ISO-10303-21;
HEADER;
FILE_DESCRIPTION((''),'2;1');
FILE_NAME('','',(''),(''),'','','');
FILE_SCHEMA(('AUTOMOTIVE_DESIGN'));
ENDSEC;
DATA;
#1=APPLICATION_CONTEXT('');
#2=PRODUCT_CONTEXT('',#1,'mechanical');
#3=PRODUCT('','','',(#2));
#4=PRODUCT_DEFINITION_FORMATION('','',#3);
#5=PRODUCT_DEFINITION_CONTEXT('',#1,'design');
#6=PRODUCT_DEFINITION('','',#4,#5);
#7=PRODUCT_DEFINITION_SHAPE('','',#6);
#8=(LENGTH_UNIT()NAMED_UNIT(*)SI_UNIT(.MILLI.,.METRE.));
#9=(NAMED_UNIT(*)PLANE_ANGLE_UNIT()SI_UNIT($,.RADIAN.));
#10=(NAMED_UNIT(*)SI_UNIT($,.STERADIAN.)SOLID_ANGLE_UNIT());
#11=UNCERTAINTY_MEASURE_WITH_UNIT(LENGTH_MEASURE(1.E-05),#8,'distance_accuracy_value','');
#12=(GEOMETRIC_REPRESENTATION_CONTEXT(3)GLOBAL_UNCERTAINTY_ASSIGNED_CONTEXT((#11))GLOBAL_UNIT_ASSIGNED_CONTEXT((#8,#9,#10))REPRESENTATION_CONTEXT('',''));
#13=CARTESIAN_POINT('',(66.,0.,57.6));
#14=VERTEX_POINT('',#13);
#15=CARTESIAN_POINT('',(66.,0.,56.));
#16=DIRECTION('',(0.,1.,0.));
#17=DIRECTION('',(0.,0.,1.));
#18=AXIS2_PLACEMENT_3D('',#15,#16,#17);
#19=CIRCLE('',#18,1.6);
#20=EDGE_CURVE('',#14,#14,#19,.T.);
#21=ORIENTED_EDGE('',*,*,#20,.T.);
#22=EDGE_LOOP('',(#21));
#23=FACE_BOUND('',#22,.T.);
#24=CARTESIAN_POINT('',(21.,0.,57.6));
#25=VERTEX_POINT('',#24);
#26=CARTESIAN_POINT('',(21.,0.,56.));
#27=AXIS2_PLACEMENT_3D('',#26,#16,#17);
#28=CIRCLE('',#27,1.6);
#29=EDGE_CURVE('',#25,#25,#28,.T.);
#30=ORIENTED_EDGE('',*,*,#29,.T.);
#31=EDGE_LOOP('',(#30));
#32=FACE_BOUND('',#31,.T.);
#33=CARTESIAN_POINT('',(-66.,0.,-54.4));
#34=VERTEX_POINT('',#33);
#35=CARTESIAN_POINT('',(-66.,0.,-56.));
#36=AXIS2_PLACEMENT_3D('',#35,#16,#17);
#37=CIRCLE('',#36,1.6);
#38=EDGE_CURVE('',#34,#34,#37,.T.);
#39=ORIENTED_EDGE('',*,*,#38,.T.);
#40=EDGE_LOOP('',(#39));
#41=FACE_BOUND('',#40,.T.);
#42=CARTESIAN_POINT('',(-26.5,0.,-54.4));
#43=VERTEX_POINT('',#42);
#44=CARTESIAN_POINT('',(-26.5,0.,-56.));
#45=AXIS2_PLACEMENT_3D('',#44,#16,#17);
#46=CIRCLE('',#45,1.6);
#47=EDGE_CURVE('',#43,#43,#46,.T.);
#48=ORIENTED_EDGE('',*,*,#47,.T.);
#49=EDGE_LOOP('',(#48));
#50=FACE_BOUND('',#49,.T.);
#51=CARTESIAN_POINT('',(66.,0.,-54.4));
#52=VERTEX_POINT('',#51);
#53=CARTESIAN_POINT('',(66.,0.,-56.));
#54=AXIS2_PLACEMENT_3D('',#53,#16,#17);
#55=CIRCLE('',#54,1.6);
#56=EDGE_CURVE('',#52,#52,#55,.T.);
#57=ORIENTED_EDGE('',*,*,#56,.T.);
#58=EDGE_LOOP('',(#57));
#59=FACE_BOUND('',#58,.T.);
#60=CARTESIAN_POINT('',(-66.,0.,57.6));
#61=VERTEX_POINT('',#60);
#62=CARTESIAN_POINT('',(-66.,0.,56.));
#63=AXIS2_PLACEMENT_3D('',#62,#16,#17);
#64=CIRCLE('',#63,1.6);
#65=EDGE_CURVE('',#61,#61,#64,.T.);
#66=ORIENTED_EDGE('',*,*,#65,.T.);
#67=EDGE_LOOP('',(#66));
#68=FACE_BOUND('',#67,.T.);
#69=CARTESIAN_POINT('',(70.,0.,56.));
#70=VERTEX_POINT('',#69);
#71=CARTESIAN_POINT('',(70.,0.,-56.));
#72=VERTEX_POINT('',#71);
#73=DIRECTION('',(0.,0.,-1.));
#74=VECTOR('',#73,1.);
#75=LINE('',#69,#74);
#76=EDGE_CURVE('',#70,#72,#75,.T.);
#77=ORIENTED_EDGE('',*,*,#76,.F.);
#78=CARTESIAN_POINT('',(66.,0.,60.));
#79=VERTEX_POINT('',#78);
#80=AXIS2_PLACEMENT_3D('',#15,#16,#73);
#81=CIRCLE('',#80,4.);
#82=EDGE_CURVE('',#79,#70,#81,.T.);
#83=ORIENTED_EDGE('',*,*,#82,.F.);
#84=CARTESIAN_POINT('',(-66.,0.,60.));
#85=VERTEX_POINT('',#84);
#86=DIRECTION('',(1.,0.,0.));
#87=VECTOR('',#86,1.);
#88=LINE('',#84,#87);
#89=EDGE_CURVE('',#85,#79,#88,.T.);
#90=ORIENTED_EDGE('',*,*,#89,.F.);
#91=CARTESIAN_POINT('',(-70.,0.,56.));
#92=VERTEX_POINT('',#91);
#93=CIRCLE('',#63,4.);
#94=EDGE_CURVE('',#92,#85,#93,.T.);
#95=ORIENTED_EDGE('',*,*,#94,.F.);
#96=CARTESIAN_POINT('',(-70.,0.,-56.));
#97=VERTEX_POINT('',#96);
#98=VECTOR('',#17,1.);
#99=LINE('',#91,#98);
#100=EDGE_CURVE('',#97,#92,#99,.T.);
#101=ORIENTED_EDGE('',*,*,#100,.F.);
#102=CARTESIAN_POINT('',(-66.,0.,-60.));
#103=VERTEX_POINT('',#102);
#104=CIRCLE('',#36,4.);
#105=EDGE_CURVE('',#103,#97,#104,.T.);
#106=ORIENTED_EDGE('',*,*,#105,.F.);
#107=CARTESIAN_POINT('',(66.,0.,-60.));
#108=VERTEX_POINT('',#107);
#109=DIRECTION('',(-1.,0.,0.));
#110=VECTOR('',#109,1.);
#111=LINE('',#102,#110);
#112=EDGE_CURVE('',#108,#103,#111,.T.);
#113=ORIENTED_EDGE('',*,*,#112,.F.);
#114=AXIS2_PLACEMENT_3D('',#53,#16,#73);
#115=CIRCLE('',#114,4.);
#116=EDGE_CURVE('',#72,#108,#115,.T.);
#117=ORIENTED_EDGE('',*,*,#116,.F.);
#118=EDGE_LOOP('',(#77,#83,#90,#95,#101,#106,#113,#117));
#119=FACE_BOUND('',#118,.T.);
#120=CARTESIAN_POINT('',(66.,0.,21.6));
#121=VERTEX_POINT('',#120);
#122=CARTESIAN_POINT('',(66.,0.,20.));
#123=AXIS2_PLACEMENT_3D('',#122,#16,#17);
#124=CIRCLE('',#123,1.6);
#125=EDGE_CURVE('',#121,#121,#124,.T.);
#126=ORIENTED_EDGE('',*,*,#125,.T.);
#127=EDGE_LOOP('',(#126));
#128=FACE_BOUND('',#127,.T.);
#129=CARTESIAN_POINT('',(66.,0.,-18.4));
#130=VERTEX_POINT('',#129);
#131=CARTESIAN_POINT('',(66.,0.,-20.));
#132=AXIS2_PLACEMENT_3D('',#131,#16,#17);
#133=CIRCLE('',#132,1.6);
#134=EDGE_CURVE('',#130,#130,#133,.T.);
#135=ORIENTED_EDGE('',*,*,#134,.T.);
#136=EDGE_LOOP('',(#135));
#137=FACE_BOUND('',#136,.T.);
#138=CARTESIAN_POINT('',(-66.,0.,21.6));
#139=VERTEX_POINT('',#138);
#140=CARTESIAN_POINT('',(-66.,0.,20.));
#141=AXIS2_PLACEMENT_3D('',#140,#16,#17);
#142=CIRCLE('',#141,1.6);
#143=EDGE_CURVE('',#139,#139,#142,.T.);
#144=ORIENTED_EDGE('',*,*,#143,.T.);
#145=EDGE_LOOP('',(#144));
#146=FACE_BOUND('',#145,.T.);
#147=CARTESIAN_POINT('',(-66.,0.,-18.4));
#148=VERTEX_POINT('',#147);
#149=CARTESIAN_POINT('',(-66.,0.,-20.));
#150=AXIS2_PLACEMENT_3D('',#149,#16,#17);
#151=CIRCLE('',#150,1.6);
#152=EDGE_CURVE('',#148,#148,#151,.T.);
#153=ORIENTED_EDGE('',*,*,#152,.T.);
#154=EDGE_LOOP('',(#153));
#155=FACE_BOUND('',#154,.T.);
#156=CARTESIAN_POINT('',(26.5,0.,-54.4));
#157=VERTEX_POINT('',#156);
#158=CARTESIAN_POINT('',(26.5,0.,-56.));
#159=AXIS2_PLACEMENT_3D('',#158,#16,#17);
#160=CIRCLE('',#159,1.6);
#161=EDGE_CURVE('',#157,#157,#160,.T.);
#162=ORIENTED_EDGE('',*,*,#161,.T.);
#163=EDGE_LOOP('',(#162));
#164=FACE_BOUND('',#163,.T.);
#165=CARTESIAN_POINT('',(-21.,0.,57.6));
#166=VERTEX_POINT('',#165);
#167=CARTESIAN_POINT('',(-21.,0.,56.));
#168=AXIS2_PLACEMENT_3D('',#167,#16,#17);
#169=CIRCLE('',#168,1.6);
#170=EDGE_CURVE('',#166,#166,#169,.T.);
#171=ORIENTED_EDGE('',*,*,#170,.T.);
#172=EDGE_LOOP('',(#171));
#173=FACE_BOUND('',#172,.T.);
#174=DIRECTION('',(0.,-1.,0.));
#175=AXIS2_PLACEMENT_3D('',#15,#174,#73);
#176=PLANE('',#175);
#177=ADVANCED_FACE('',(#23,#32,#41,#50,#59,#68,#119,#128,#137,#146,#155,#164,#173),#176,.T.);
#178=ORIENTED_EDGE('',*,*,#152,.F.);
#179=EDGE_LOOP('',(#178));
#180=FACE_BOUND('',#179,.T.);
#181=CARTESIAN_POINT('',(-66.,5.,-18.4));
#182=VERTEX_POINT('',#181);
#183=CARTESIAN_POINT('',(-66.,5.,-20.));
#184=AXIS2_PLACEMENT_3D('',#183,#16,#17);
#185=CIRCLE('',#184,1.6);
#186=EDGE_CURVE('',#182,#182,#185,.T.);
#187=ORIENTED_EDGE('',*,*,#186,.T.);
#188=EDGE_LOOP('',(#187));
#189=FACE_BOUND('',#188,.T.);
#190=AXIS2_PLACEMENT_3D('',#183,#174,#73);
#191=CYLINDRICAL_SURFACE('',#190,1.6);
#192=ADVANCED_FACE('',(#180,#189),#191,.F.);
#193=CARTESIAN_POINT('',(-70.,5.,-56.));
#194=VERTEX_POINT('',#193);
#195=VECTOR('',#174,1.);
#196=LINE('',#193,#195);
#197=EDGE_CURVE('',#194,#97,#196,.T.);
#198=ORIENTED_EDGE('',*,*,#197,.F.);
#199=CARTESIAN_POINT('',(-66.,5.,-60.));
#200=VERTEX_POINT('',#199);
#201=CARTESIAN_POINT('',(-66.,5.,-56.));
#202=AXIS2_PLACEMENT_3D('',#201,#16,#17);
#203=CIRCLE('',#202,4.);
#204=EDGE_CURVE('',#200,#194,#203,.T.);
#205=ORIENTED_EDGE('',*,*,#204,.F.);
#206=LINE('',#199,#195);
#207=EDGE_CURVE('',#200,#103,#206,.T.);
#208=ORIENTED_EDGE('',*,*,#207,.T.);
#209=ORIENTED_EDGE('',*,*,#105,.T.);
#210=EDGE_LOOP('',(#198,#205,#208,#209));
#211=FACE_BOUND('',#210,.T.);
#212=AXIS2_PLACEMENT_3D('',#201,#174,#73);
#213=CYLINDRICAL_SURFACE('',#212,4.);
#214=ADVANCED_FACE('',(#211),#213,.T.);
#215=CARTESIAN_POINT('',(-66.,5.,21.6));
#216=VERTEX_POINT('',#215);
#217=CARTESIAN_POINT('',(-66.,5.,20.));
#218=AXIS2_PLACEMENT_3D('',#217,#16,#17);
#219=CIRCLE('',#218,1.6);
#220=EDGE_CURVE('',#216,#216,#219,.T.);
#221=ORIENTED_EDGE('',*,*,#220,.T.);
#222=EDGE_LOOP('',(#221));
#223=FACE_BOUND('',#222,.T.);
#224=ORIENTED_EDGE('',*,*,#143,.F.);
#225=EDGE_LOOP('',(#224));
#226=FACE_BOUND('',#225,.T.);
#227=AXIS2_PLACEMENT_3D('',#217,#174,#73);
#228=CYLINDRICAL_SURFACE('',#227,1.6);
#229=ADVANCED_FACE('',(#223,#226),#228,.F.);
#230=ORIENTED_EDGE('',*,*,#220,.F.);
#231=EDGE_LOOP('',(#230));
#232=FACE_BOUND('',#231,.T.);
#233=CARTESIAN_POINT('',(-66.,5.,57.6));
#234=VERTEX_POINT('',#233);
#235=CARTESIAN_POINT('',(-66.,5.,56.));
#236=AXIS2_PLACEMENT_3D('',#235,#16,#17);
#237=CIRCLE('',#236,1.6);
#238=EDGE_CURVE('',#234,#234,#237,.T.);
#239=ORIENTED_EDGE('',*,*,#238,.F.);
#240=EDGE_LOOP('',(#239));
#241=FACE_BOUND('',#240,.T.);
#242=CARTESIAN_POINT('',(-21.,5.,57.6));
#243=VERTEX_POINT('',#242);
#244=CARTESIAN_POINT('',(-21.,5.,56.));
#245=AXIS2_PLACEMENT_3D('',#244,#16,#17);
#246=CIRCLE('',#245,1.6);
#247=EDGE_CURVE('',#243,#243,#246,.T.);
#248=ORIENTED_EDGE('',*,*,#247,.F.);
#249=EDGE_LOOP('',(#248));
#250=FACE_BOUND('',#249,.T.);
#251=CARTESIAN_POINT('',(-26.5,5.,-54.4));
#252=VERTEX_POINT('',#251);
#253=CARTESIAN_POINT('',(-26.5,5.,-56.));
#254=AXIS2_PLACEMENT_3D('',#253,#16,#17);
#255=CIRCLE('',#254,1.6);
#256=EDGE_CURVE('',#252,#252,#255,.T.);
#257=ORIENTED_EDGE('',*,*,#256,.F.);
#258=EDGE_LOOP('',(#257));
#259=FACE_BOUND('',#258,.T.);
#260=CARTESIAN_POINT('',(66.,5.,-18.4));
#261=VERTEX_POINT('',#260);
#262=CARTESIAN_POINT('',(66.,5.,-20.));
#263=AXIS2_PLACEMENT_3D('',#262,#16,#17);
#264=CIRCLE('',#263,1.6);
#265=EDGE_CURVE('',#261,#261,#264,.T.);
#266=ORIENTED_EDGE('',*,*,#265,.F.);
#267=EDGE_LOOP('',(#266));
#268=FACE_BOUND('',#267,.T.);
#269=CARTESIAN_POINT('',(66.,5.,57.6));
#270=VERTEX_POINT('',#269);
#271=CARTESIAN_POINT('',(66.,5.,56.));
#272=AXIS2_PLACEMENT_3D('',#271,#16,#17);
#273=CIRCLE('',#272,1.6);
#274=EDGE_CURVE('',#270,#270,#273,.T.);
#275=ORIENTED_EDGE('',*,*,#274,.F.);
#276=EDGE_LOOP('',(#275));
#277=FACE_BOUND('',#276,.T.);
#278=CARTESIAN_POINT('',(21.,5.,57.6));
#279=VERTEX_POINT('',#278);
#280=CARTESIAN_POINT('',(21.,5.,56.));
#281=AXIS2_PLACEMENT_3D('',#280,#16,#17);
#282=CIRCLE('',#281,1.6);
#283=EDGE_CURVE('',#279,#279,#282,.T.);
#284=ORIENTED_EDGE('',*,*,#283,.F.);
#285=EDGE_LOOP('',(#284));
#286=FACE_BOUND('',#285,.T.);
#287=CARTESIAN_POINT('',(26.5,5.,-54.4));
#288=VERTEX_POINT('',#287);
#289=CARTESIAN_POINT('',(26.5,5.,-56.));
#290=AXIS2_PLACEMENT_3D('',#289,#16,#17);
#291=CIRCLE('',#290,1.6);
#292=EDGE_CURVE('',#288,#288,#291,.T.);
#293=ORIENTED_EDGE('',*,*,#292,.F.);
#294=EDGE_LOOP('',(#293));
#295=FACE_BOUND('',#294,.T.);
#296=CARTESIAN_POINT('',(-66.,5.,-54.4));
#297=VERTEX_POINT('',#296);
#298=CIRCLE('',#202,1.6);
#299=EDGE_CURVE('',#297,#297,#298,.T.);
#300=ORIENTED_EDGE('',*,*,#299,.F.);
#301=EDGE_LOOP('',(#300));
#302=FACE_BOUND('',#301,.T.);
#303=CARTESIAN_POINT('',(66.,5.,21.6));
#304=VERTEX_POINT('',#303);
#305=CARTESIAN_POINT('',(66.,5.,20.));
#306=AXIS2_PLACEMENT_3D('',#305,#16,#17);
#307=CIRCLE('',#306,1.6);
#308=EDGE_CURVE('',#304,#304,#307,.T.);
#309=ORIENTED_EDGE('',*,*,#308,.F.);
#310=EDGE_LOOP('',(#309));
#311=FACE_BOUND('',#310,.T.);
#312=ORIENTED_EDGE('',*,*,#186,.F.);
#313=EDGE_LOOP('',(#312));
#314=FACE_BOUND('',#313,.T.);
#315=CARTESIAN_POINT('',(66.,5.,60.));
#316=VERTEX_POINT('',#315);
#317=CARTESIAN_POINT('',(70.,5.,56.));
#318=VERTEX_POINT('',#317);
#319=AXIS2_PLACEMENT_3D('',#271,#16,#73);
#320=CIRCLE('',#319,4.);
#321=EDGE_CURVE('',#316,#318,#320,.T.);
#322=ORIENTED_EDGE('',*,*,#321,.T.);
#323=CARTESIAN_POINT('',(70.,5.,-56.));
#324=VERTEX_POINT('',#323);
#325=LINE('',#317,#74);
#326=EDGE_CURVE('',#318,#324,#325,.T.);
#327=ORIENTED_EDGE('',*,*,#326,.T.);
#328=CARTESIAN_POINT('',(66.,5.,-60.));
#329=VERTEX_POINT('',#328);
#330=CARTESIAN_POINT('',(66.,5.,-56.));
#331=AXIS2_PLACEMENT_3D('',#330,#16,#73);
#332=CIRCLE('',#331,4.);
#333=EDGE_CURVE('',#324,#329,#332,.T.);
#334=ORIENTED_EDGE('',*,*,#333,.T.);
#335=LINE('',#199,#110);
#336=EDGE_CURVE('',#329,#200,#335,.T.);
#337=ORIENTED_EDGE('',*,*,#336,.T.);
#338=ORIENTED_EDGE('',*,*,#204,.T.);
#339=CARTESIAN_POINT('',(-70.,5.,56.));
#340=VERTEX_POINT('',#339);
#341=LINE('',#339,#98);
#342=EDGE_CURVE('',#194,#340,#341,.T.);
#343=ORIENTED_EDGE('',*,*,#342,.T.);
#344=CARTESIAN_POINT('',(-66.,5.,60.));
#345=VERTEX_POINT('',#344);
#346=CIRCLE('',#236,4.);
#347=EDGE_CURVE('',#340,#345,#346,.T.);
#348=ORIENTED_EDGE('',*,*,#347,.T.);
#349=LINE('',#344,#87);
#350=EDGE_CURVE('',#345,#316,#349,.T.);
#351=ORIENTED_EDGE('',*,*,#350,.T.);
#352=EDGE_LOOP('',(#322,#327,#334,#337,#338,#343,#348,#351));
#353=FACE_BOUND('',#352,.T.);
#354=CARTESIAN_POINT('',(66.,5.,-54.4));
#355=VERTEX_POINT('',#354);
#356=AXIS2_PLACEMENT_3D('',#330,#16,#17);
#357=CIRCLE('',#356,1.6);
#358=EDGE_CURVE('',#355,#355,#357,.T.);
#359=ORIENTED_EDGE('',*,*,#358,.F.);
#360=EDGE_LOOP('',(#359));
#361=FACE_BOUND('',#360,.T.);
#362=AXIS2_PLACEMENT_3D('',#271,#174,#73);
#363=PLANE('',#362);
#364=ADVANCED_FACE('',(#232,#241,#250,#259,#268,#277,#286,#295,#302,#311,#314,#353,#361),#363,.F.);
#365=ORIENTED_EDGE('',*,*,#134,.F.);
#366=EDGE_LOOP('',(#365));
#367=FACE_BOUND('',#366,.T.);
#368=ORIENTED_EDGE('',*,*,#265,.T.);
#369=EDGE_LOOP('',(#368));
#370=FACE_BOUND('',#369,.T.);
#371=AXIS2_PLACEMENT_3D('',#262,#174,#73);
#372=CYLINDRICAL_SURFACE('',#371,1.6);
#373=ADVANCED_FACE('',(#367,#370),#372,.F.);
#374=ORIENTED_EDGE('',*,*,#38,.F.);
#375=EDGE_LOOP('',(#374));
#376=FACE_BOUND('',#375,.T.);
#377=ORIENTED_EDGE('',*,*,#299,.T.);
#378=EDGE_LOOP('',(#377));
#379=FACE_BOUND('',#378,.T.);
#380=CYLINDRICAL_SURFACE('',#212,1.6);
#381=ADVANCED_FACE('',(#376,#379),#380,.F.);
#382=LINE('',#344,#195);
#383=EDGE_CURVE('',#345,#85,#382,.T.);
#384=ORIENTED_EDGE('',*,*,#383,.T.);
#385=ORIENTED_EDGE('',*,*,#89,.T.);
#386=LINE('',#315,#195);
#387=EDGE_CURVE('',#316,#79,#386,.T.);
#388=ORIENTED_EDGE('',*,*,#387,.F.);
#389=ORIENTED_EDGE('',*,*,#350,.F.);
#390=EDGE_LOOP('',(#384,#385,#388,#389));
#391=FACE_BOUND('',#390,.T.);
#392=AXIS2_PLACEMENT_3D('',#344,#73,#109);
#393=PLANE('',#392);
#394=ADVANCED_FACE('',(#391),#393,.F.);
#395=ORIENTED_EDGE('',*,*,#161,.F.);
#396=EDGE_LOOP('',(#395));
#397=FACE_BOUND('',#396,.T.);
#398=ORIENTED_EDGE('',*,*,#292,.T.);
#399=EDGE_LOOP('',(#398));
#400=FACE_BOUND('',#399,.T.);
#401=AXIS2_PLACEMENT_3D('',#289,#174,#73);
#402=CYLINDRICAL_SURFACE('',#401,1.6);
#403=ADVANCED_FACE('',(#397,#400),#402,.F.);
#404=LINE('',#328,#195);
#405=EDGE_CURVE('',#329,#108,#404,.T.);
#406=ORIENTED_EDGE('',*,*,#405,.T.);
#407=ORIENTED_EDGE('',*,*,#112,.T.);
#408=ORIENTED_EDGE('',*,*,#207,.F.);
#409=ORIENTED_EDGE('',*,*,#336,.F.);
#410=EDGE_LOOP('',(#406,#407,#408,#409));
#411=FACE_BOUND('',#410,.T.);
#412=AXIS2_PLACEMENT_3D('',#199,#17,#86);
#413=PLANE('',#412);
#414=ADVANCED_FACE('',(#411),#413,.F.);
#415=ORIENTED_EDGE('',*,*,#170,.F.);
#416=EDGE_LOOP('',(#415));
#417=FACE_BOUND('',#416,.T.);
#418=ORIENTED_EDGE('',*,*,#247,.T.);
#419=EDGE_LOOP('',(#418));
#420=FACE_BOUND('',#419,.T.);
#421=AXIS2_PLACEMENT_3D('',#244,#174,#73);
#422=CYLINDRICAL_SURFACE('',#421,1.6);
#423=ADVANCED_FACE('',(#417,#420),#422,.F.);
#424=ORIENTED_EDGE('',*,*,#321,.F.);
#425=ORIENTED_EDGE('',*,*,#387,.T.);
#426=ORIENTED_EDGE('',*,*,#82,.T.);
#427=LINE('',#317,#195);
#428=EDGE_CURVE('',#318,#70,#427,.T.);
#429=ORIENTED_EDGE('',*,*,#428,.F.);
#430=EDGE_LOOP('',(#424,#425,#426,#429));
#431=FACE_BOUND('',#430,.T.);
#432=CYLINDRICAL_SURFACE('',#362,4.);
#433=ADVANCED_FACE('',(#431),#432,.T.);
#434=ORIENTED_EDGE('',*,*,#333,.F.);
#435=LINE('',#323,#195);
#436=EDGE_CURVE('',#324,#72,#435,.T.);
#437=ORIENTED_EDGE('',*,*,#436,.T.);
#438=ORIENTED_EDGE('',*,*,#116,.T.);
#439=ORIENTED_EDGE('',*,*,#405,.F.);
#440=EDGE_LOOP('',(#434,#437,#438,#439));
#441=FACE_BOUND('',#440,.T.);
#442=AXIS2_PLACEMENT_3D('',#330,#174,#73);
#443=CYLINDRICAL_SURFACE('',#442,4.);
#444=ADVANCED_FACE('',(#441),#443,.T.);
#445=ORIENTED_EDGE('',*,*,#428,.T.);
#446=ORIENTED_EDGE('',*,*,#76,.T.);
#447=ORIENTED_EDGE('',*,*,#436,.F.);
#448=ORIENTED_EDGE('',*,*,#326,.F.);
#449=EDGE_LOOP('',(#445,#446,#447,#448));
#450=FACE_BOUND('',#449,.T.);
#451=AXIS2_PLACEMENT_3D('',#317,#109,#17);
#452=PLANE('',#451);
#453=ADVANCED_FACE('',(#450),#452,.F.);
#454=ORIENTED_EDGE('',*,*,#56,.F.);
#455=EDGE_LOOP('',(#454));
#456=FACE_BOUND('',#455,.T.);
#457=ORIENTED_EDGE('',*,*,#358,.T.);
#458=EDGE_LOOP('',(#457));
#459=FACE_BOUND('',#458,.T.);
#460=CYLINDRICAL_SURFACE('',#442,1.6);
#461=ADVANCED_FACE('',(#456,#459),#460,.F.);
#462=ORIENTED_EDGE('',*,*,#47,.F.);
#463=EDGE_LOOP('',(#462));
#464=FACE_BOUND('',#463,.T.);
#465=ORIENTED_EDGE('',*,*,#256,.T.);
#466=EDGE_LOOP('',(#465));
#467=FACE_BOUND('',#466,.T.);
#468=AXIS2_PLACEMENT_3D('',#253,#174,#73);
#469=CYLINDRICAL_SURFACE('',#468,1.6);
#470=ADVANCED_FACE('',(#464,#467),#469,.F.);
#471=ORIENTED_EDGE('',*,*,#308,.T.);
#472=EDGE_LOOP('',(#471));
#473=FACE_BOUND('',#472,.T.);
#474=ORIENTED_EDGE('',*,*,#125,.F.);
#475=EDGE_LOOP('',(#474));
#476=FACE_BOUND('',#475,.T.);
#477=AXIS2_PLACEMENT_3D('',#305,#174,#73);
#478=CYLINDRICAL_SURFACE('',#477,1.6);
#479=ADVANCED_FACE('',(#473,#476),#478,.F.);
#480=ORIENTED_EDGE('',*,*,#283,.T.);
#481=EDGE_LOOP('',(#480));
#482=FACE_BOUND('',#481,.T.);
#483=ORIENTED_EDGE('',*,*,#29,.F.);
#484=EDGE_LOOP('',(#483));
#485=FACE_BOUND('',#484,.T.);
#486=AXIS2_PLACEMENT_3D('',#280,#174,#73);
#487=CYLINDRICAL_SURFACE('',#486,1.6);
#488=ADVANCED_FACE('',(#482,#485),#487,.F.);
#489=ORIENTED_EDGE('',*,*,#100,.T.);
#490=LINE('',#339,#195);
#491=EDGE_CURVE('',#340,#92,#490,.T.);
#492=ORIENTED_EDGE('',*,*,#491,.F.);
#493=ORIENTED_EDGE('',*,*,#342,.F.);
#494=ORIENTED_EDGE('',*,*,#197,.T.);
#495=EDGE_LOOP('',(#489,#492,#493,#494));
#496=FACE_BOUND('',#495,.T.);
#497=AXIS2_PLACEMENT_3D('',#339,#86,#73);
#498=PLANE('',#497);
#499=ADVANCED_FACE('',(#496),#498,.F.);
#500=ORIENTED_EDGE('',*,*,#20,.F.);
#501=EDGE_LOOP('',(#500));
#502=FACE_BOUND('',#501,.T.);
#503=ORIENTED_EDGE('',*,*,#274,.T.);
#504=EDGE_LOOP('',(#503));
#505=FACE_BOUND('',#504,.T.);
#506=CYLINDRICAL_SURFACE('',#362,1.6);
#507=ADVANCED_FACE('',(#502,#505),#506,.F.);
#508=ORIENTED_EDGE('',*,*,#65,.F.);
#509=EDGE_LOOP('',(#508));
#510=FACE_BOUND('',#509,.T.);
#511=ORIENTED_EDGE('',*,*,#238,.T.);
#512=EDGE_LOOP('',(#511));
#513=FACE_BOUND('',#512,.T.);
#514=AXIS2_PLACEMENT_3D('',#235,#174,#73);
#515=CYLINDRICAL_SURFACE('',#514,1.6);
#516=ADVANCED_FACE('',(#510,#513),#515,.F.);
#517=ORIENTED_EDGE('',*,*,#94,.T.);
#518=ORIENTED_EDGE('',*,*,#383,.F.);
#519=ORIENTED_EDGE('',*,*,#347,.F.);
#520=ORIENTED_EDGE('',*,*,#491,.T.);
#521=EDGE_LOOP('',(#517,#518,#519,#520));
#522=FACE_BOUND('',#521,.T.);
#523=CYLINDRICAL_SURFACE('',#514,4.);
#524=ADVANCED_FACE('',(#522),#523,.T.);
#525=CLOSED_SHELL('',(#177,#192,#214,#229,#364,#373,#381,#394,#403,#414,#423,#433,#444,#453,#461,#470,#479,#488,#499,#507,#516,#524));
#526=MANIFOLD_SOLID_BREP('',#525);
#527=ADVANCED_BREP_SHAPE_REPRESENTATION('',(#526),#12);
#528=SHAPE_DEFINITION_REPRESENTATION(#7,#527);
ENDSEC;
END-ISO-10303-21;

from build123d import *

# Parameters (mm, degrees)
SKETCH1_R           = 1.6
BOSS_EXTRUDE1_DEPTH = 5


with BuildPart() as part:
    # Sketch1 → Boss-Extrude1 (new body)
    with BuildSketch(Plane(origin=(0, 0, 0), x_dir=(1, 0, 0), z_dir=(0, 1, 0))):
        with BuildLine():
            Line((-66, -60), (66, -60))
            ThreePointArc((66, -60), (68.828427125, -58.828427125), (70, -56))
            Line((70, -56), (70, 56))
            ThreePointArc((70, 56), (68.828427125, 58.828427125), (66, 60))
            Line((66, 60), (-66, 60))
            ThreePointArc((-66, 60), (-68.828427125, 58.828427125), (-70, 56))
            Line((-70, 56), (-70, -56))
            ThreePointArc((-70, -56), (-68.828427125, -58.828427125), (-66, -60))
        make_face()
        with Locations((-66, 56)):
            Circle(SKETCH1_R, mode=Mode.SUBTRACT)
        with Locations((-66, -56)):
            Circle(SKETCH1_R, mode=Mode.SUBTRACT)
        with Locations((66, -56)):
            Circle(SKETCH1_R, mode=Mode.SUBTRACT)
        with Locations((66, 56)):
            Circle(SKETCH1_R, mode=Mode.SUBTRACT)
        with Locations((-66, -20)):
            Circle(SKETCH1_R, mode=Mode.SUBTRACT)
        with Locations((66, -20)):
            Circle(SKETCH1_R, mode=Mode.SUBTRACT)
        with Locations((-66, 20)):
            Circle(SKETCH1_R, mode=Mode.SUBTRACT)
        with Locations((66, 20)):
            Circle(SKETCH1_R, mode=Mode.SUBTRACT)
        with Locations((-21, -56)):
            Circle(SKETCH1_R, mode=Mode.SUBTRACT)
        with Locations((21, -56)):
            Circle(SKETCH1_R, mode=Mode.SUBTRACT)
        with Locations((-26.5, 56)):
            Circle(SKETCH1_R, mode=Mode.SUBTRACT)
        with Locations((26.5, 56)):
            Circle(SKETCH1_R, mode=Mode.SUBTRACT)
    extrude(amount=BOSS_EXTRUDE1_DEPTH)


solid = part.part
